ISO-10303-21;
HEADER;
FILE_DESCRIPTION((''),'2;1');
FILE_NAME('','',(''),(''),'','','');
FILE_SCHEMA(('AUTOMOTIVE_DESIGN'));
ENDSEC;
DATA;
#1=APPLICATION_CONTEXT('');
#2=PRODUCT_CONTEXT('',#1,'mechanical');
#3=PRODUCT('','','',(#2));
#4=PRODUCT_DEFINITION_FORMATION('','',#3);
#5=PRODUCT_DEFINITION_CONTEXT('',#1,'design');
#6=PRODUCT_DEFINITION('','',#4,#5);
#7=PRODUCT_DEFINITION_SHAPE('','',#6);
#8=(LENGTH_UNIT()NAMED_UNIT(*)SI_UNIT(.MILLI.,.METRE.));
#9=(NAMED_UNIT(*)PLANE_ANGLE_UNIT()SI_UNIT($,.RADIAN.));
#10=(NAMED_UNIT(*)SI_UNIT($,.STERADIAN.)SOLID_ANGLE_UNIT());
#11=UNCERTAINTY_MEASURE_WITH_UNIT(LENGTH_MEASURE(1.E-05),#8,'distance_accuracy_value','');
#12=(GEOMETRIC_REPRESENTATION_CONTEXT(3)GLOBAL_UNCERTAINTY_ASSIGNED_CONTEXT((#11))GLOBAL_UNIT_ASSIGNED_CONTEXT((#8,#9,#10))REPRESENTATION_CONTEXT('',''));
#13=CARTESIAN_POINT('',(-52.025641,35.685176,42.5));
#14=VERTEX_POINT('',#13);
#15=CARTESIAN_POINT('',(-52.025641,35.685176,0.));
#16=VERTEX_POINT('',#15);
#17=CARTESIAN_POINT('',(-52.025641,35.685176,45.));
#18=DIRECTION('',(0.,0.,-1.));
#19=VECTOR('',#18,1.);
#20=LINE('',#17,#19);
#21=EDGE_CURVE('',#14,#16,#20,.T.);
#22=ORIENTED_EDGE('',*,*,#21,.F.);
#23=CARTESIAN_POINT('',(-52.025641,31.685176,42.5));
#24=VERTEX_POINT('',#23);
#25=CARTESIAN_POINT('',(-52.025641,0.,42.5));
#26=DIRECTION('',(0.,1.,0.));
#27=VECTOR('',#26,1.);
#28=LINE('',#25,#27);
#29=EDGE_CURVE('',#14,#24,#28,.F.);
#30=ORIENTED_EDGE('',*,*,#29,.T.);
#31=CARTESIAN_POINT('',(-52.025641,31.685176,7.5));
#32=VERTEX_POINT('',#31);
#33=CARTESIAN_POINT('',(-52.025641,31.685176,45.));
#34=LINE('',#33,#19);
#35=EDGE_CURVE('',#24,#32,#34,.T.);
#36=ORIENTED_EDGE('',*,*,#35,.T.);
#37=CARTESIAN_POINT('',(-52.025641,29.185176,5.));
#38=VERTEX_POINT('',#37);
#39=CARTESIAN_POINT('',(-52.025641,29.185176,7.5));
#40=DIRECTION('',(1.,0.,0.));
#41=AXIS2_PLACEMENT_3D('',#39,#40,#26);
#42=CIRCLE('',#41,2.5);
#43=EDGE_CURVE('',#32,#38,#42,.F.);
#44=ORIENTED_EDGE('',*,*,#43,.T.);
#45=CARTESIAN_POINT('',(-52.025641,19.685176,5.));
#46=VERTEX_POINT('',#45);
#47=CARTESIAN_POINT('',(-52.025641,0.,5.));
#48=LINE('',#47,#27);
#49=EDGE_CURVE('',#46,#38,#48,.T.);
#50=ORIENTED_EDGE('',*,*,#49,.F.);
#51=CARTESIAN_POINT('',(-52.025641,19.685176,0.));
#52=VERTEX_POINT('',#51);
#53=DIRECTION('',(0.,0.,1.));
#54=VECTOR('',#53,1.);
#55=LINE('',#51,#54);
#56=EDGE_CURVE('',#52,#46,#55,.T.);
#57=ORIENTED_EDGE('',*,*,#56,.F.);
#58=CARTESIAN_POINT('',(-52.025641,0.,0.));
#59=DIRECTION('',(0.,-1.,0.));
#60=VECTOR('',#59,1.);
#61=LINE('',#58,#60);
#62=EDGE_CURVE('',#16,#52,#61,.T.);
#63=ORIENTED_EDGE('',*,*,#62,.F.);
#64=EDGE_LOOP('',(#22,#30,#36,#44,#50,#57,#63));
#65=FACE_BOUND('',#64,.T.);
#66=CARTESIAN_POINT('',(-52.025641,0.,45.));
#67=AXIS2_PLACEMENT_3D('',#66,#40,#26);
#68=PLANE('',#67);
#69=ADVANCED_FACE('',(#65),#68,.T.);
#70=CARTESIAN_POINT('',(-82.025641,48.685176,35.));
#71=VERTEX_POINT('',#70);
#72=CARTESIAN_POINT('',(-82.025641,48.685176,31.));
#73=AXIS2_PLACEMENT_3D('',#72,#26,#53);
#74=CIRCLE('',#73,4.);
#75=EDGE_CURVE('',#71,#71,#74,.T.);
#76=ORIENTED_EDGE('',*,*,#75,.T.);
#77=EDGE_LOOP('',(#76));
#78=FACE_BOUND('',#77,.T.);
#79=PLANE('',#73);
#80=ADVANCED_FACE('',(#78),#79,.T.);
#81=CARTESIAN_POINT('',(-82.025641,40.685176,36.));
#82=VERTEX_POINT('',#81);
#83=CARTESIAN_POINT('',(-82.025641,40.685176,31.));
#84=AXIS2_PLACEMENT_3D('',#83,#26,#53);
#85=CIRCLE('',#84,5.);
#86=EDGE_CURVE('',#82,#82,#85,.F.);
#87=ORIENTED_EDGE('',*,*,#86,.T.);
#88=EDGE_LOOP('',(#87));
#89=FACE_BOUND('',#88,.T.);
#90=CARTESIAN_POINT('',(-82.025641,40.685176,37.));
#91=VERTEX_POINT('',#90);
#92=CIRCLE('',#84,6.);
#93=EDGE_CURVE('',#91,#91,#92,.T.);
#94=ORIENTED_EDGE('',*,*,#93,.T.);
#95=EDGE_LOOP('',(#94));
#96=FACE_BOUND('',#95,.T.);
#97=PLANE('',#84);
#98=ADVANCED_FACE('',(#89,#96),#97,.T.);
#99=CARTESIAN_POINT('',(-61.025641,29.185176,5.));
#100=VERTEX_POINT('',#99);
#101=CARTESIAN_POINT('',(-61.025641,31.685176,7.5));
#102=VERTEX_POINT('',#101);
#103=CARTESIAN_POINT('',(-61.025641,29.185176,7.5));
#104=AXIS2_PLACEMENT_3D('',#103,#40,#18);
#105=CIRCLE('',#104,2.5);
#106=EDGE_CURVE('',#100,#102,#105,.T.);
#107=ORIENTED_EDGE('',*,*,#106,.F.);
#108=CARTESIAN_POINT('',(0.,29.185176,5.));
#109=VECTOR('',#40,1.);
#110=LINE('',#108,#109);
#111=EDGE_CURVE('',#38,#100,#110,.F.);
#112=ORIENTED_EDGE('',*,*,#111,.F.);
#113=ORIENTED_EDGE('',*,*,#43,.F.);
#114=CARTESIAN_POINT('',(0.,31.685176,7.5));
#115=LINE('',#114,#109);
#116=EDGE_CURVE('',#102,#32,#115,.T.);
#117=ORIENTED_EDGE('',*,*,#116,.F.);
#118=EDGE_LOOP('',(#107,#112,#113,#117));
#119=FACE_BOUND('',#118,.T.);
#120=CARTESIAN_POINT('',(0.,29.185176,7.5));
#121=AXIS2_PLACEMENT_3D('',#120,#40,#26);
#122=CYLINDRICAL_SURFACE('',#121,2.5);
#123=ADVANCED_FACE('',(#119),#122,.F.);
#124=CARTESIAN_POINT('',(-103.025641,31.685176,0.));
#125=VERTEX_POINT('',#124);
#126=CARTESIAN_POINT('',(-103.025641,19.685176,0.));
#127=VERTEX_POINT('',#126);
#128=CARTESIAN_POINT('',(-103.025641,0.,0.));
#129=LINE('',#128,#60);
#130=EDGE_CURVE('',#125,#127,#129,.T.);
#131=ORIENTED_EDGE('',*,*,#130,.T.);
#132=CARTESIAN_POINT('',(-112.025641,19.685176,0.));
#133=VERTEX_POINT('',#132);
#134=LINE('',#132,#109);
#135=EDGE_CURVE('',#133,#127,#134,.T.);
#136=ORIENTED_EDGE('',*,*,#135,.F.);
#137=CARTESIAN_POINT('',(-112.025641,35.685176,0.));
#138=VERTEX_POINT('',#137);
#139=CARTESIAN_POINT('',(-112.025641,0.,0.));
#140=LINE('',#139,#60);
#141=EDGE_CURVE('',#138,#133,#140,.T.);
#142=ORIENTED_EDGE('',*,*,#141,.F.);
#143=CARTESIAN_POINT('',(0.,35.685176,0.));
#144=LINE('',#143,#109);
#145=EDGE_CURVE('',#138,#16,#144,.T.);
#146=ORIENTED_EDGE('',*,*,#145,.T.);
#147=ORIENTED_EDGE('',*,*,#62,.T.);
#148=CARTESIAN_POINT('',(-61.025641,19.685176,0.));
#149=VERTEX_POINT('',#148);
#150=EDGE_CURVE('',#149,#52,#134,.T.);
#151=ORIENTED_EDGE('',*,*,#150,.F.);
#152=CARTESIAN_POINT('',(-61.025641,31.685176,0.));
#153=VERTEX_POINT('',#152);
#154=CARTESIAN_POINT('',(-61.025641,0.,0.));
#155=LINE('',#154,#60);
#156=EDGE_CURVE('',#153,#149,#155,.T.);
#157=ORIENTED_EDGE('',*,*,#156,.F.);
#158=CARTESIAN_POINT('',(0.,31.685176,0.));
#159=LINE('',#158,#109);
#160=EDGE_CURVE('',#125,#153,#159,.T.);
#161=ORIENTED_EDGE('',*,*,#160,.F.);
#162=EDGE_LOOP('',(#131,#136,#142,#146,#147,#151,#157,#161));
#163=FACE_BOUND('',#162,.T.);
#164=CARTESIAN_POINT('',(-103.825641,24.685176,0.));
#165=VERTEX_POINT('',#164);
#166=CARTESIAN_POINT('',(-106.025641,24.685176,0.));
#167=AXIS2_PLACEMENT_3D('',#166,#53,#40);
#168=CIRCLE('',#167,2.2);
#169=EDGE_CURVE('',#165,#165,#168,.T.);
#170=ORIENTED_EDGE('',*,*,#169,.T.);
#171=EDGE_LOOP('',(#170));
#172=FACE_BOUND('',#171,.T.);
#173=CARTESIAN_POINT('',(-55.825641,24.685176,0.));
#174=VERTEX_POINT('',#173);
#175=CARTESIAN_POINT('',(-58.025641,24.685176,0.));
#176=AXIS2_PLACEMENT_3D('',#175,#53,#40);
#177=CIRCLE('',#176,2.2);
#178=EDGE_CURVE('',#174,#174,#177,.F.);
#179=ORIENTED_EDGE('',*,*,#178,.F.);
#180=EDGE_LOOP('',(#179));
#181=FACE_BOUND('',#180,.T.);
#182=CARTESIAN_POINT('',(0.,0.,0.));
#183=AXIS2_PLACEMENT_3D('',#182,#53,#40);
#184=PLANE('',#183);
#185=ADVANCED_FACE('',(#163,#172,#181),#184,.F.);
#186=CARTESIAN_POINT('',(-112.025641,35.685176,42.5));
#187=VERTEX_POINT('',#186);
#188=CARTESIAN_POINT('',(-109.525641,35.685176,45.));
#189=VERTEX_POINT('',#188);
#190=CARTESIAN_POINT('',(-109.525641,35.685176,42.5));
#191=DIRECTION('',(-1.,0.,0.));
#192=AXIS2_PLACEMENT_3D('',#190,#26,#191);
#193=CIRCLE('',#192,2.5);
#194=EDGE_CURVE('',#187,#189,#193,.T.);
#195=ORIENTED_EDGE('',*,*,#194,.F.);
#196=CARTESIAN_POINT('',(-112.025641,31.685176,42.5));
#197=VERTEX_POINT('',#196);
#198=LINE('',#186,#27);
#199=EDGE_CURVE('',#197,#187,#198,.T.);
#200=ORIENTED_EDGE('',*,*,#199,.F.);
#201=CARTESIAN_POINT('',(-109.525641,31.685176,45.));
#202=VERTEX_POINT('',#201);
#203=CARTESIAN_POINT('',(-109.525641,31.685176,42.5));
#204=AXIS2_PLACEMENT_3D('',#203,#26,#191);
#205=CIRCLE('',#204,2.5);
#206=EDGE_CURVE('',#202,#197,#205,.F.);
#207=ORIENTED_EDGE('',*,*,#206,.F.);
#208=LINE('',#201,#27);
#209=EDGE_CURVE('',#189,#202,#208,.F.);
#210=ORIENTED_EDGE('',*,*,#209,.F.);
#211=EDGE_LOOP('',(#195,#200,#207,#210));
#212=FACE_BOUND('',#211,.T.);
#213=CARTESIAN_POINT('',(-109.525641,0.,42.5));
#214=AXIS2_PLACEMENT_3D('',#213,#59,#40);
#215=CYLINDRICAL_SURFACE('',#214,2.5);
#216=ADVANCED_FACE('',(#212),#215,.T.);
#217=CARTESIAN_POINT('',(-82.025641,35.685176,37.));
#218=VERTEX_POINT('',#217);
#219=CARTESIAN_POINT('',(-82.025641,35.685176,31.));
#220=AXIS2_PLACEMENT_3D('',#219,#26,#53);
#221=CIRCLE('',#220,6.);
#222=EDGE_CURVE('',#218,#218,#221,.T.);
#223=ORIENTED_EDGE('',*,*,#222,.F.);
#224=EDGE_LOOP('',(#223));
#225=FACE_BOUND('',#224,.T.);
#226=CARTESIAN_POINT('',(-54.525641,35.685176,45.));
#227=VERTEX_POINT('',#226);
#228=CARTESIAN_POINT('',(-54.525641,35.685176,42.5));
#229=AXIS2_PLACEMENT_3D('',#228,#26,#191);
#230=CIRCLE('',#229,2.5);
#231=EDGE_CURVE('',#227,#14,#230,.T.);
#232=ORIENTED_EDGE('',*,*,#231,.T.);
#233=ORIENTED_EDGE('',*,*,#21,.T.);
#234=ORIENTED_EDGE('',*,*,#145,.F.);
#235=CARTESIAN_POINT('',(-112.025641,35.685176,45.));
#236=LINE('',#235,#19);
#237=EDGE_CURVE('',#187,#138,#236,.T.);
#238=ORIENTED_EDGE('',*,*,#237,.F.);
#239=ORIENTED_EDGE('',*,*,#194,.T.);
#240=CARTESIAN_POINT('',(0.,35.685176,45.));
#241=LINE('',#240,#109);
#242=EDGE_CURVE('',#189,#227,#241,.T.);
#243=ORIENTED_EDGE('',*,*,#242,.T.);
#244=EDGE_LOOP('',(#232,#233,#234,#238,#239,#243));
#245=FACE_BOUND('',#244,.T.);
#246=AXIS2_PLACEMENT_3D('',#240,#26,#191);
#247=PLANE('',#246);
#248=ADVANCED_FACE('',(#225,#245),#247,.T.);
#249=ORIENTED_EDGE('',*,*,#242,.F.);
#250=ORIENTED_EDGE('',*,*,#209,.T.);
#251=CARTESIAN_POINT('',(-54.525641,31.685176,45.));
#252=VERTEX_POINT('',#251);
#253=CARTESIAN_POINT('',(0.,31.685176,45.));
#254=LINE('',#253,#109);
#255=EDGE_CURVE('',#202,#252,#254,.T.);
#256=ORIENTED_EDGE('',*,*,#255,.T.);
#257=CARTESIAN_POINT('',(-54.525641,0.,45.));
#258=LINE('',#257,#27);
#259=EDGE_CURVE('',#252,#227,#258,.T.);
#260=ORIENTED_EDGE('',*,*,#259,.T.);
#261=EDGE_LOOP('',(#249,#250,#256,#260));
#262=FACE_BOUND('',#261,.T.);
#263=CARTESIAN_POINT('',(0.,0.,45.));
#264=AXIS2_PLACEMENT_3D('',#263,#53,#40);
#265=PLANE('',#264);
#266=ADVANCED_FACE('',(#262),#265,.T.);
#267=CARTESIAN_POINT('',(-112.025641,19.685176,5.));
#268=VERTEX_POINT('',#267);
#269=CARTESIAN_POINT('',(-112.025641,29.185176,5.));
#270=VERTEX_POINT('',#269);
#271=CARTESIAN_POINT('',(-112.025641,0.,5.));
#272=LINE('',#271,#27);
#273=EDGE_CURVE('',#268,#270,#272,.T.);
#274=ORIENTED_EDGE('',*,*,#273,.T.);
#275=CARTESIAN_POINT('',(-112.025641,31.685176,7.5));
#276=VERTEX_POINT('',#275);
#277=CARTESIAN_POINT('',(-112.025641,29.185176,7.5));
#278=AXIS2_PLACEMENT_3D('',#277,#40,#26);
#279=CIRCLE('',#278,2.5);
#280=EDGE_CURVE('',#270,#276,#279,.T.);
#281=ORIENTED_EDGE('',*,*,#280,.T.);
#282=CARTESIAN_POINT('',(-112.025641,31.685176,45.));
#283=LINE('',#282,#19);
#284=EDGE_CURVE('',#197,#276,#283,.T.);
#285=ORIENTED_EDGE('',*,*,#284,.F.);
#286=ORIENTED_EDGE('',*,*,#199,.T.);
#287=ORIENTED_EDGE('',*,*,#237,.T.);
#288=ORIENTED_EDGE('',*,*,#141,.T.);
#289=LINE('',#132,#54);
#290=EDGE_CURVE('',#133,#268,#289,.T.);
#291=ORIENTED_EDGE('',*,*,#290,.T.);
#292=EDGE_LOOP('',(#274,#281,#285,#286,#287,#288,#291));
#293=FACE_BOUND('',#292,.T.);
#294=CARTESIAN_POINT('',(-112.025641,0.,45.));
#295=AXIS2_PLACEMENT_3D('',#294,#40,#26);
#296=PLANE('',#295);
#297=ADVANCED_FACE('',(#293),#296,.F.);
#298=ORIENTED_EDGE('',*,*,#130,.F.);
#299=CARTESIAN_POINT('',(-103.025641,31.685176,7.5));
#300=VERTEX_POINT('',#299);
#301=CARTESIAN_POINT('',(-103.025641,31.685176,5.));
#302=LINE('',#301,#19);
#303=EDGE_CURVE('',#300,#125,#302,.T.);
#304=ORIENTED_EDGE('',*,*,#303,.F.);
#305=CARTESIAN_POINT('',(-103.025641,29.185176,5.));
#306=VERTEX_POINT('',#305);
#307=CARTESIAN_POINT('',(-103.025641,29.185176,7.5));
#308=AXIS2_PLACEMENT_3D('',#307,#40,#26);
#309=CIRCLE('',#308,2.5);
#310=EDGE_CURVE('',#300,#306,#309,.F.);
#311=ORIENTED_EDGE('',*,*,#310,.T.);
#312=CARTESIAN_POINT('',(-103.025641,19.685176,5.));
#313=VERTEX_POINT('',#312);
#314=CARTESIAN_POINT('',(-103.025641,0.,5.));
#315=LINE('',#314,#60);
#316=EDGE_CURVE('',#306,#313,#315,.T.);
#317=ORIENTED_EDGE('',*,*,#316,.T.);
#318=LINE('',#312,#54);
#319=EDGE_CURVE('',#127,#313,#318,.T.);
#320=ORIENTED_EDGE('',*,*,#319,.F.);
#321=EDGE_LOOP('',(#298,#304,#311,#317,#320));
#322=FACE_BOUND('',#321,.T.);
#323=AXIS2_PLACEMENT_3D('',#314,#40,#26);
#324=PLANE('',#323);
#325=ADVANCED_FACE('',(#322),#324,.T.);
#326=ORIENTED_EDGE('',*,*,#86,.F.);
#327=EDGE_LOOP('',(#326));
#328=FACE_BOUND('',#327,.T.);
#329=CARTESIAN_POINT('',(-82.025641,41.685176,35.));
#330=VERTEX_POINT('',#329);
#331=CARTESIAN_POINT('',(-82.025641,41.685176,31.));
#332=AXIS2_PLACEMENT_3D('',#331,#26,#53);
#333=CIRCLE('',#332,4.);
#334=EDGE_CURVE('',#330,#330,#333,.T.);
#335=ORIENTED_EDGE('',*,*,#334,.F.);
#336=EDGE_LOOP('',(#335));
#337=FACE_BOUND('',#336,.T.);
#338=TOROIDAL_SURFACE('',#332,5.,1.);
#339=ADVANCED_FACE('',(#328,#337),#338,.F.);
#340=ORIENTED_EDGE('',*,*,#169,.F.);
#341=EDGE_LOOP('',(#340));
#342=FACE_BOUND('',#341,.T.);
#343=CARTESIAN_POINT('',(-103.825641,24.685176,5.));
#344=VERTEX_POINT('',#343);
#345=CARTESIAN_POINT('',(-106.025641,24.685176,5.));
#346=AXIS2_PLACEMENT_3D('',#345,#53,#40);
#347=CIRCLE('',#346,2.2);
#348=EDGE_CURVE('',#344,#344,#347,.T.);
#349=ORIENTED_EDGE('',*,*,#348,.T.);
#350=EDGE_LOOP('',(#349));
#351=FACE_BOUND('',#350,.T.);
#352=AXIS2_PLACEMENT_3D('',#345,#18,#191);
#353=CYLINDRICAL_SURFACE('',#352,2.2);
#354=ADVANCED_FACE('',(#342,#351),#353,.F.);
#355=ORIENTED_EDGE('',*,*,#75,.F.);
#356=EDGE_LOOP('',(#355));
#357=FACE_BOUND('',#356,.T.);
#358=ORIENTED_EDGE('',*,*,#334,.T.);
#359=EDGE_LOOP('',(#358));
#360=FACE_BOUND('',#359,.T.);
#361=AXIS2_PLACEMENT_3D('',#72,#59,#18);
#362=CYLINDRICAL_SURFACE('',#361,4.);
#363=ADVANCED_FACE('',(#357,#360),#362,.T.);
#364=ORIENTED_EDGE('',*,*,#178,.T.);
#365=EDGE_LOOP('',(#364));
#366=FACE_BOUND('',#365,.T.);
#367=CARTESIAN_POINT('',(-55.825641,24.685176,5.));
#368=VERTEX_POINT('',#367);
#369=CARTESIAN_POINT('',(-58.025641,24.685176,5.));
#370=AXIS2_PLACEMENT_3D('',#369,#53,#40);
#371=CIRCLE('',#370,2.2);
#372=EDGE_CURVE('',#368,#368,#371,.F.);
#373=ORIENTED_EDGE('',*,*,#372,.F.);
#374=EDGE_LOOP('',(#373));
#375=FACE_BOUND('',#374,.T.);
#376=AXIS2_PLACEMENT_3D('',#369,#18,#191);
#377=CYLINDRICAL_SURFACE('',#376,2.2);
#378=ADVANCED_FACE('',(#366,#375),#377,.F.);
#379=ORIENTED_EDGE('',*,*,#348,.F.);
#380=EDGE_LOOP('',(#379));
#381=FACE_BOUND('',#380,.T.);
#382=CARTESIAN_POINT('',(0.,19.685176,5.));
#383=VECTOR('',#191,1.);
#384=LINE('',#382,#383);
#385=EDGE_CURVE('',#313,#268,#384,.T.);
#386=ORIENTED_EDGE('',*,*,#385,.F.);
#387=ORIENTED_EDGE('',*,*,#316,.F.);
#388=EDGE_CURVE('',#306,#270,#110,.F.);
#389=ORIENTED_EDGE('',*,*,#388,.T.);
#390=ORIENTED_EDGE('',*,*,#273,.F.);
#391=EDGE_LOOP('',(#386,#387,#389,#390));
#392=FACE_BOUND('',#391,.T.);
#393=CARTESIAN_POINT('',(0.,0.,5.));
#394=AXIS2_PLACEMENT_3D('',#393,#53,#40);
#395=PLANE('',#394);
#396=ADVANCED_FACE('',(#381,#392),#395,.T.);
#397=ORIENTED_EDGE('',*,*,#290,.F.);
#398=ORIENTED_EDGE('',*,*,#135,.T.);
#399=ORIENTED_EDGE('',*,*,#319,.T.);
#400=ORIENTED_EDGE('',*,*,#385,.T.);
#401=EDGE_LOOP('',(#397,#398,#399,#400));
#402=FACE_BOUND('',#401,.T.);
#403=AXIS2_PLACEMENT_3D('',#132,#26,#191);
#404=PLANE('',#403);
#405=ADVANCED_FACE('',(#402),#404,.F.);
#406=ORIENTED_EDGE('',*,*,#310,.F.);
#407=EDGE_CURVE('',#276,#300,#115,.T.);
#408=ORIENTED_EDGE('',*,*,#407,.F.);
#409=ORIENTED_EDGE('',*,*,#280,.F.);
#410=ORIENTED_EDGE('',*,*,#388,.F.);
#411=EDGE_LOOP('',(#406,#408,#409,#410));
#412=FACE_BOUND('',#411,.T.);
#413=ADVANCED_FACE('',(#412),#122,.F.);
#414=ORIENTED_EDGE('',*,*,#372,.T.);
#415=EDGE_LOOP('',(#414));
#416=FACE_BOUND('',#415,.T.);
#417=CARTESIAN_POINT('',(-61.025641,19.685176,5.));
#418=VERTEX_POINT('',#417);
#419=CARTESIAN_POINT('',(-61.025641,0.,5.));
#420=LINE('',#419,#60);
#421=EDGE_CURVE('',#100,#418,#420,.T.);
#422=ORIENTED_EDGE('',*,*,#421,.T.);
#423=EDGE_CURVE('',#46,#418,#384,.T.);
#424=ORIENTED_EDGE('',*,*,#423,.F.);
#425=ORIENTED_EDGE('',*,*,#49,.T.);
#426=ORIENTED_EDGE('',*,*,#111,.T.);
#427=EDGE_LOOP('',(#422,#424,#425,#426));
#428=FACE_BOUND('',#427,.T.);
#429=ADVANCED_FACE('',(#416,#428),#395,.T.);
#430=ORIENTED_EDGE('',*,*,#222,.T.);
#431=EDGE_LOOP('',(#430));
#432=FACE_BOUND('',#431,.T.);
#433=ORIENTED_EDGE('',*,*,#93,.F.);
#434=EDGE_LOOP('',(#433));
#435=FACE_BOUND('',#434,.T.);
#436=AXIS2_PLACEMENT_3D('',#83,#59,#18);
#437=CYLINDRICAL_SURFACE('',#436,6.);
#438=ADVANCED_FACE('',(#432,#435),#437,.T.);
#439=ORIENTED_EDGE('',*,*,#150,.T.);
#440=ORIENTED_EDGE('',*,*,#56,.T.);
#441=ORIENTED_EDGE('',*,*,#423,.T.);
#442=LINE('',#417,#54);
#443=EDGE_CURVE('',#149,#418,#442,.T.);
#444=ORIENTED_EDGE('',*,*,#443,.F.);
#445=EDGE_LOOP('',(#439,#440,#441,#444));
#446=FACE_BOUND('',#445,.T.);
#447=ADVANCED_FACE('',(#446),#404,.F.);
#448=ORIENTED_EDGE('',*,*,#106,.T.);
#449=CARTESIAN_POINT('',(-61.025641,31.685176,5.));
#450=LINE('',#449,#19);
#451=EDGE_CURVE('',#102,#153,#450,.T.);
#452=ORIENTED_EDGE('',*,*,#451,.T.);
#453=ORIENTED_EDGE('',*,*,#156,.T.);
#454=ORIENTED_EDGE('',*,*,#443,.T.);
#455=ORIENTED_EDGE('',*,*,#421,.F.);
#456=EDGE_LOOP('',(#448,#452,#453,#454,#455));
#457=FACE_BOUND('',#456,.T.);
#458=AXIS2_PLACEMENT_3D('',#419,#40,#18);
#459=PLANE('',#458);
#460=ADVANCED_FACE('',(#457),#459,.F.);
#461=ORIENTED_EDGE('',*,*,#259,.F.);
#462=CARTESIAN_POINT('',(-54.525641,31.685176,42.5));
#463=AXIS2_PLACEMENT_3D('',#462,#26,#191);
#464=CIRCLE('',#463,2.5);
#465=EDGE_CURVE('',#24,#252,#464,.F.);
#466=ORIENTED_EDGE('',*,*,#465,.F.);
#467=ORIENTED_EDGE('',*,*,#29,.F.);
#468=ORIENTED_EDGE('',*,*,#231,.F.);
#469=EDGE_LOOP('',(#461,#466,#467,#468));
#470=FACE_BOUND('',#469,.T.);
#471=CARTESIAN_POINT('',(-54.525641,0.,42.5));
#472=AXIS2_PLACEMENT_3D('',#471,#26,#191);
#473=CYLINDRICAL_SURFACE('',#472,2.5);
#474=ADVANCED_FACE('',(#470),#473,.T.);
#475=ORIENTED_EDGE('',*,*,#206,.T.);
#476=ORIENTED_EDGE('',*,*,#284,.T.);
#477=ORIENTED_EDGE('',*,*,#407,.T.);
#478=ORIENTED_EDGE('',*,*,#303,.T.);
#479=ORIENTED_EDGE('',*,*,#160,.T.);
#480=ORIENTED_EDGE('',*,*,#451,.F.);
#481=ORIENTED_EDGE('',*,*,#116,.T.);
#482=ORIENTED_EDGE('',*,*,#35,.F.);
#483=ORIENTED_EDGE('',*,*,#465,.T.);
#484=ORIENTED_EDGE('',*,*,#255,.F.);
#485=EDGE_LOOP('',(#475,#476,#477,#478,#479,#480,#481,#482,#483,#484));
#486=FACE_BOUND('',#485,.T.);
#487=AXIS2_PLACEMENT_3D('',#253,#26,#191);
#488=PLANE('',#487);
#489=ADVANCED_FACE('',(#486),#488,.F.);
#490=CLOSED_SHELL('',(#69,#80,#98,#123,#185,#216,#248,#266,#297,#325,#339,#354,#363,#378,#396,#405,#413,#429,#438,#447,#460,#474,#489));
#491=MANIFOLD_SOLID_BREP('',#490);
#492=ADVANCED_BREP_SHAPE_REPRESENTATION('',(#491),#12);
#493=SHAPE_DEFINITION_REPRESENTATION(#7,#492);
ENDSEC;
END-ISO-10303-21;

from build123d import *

# Parameters (mm, degrees)
SKETCH1_W           = 60
SKETCH1_H           = 4
BOSS_EXTRUDE1_DEPTH = 45
SKETCH1_3_W         = 9
SKETCH1_3_H         = 24
SKETCH1_3_R         = 2.2
BOSS_EXTRUDE2_DEPTH = 5
SKETCH2_R           = 3
SKETCH2_R_2         = 1.6
CUT_EXTRUDE1_DEPTH  = 124.088359511
BOSS_EXTRUDE3_DEPTH = 45
FILLET1_R           = 2.5
FILLET3_R           = 2.5
SKETCH3_R           = 4
BOSS_EXTRUDE4_DEPTH = 13
SKETCH4_R           = 6
BOSS_EXTRUDE5_DEPTH = 5
FILLET4_R           = 1
SKETCH6_W           = 45
SKETCH6_H           = 16
CUT_EXTRUDE2_DEPTH  = 90.416141614


with BuildPart() as part:
    # Sketch1 → Boss-Extrude1 (new body)
    with BuildSketch(Plane.XY):
        with Locations((-82.025641026, 5.685176195)):
            Rectangle(SKETCH1_W, SKETCH1_H)
    extrude(amount=BOSS_EXTRUDE1_DEPTH)

    # Sketch1<3> → Boss-Extrude2 (add)
    # profile 1 of 2: a face of its own
    with BuildSketch(Plane.XY):
        with Locations((-107.525641026, 19.685176195)):
            Rectangle(SKETCH1_3_W, SKETCH1_3_H)
        with Locations((-106.025641026, 14.685176195)):
            Circle(SKETCH1_3_R, mode=Mode.SUBTRACT)
        with Locations((-106.025641026, 24.685176195)):
            Circle(SKETCH1_3_R, mode=Mode.SUBTRACT)
    # profile 2 of 2: a face of its own
    with BuildSketch(Plane.XY):
        with Locations((-56.525641026, 19.685176195)):
            Rectangle(SKETCH1_3_W, SKETCH1_3_H)
        with Locations((-58.025641026, 14.685176195)):
            Circle(SKETCH1_3_R, mode=Mode.SUBTRACT)
        with Locations((-58.025641026, 24.685176195)):
            Circle(SKETCH1_3_R, mode=Mode.SUBTRACT)
    extrude(amount=BOSS_EXTRUDE2_DEPTH)

    # Sketch2 → Cut-Extrude1 (cut, through all)
    with BuildSketch(Plane(origin=(0, 7.685176195, 0), x_dir=(1, 0, 0), z_dir=(0, 1, 0))):
        with Locations((-82.025641026, -31)):
            Circle(SKETCH2_R)
        with Locations((-77.025641026, -26)):
            Circle(SKETCH2_R_2)
        with Locations((-87.025641026, -26)):
            Circle(SKETCH2_R_2)
        with Locations((-77.025641026, -36)):
            Circle(SKETCH2_R_2)
        with Locations((-87.025641026, -36)):
            Circle(SKETCH2_R_2)
    extrude(amount=-CUT_EXTRUDE1_DEPTH, mode=Mode.SUBTRACT)

    # Sketch1<4> → Boss-Extrude3 (add)
    with BuildSketch(Plane.XY):
        Polygon((-112.025641026, 35.685176195), (-112.025641026, 31.685176195), (-103.025641026, 31.685176195), (-61.025641026, 31.685176195), (-52.025641026, 31.685176195), (-52.025641026, 35.685176195), align=None)
    extrude(amount=BOSS_EXTRUDE3_DEPTH)

    # Fillet1
    fillet1_edges = [part.edges().sort_by_distance(p)[0] for p in [
        (-52.025641026, 5.685176195, 45),
        (-112.025641026, 5.685176195, 45),
        (-52.025641026, 33.685176195, 45),
        (-112.025641026, 33.685176195, 45),
    ]]
    fillet(fillet1_edges, radius=FILLET1_R)

    # Fillet3
    fillet3_edges = [part.edges().sort_by_distance(p)[0] for p in [
        (-107.525641026, 7.685176195, 5),
        (-56.525641026, 7.685176195, 5),
        (-56.525641026, 31.685176195, 5),
        (-107.525641026, 31.685176195, 5),
    ]]
    fillet(fillet3_edges, radius=FILLET3_R)

    # Sketch3 → Boss-Extrude4 (add)
    with BuildSketch(Plane(origin=(0, 35.685176195, 0), x_dir=(1, 0, 0), z_dir=(0, 1, 0))):
        with Locations((-82.025641026, -31)):
            Circle(SKETCH3_R)
    extrude(amount=BOSS_EXTRUDE4_DEPTH)

    # Sketch4 → Boss-Extrude5 (add)
    with BuildSketch(Plane(origin=(0, 35.685176195, 0), x_dir=(1, 0, 0), z_dir=(0, 1, 0))):
        with Locations((-82.025641026, -31)):
            Circle(SKETCH4_R)
    extrude(amount=BOSS_EXTRUDE5_DEPTH)

    # Fillet4
    fillet4_edges = [part.edges().sort_by_distance(p)[0] for p in [
        (-86.025641026, 40.685176195, 31),
    ]]
    fillet(fillet4_edges, radius=FILLET4_R)

    # Sketch6 → Cut-Extrude2 (cut, through all)
    with BuildSketch(Plane(origin=(-52.025641026, 0, 0), x_dir=(0, 0, -1), z_dir=(1, 0, 0))):
        with Locations((-22.5, 11.685176195)):
            Rectangle(SKETCH6_W, SKETCH6_H)
    extrude(amount=-CUT_EXTRUDE2_DEPTH, mode=Mode.SUBTRACT)


solid = part.part
